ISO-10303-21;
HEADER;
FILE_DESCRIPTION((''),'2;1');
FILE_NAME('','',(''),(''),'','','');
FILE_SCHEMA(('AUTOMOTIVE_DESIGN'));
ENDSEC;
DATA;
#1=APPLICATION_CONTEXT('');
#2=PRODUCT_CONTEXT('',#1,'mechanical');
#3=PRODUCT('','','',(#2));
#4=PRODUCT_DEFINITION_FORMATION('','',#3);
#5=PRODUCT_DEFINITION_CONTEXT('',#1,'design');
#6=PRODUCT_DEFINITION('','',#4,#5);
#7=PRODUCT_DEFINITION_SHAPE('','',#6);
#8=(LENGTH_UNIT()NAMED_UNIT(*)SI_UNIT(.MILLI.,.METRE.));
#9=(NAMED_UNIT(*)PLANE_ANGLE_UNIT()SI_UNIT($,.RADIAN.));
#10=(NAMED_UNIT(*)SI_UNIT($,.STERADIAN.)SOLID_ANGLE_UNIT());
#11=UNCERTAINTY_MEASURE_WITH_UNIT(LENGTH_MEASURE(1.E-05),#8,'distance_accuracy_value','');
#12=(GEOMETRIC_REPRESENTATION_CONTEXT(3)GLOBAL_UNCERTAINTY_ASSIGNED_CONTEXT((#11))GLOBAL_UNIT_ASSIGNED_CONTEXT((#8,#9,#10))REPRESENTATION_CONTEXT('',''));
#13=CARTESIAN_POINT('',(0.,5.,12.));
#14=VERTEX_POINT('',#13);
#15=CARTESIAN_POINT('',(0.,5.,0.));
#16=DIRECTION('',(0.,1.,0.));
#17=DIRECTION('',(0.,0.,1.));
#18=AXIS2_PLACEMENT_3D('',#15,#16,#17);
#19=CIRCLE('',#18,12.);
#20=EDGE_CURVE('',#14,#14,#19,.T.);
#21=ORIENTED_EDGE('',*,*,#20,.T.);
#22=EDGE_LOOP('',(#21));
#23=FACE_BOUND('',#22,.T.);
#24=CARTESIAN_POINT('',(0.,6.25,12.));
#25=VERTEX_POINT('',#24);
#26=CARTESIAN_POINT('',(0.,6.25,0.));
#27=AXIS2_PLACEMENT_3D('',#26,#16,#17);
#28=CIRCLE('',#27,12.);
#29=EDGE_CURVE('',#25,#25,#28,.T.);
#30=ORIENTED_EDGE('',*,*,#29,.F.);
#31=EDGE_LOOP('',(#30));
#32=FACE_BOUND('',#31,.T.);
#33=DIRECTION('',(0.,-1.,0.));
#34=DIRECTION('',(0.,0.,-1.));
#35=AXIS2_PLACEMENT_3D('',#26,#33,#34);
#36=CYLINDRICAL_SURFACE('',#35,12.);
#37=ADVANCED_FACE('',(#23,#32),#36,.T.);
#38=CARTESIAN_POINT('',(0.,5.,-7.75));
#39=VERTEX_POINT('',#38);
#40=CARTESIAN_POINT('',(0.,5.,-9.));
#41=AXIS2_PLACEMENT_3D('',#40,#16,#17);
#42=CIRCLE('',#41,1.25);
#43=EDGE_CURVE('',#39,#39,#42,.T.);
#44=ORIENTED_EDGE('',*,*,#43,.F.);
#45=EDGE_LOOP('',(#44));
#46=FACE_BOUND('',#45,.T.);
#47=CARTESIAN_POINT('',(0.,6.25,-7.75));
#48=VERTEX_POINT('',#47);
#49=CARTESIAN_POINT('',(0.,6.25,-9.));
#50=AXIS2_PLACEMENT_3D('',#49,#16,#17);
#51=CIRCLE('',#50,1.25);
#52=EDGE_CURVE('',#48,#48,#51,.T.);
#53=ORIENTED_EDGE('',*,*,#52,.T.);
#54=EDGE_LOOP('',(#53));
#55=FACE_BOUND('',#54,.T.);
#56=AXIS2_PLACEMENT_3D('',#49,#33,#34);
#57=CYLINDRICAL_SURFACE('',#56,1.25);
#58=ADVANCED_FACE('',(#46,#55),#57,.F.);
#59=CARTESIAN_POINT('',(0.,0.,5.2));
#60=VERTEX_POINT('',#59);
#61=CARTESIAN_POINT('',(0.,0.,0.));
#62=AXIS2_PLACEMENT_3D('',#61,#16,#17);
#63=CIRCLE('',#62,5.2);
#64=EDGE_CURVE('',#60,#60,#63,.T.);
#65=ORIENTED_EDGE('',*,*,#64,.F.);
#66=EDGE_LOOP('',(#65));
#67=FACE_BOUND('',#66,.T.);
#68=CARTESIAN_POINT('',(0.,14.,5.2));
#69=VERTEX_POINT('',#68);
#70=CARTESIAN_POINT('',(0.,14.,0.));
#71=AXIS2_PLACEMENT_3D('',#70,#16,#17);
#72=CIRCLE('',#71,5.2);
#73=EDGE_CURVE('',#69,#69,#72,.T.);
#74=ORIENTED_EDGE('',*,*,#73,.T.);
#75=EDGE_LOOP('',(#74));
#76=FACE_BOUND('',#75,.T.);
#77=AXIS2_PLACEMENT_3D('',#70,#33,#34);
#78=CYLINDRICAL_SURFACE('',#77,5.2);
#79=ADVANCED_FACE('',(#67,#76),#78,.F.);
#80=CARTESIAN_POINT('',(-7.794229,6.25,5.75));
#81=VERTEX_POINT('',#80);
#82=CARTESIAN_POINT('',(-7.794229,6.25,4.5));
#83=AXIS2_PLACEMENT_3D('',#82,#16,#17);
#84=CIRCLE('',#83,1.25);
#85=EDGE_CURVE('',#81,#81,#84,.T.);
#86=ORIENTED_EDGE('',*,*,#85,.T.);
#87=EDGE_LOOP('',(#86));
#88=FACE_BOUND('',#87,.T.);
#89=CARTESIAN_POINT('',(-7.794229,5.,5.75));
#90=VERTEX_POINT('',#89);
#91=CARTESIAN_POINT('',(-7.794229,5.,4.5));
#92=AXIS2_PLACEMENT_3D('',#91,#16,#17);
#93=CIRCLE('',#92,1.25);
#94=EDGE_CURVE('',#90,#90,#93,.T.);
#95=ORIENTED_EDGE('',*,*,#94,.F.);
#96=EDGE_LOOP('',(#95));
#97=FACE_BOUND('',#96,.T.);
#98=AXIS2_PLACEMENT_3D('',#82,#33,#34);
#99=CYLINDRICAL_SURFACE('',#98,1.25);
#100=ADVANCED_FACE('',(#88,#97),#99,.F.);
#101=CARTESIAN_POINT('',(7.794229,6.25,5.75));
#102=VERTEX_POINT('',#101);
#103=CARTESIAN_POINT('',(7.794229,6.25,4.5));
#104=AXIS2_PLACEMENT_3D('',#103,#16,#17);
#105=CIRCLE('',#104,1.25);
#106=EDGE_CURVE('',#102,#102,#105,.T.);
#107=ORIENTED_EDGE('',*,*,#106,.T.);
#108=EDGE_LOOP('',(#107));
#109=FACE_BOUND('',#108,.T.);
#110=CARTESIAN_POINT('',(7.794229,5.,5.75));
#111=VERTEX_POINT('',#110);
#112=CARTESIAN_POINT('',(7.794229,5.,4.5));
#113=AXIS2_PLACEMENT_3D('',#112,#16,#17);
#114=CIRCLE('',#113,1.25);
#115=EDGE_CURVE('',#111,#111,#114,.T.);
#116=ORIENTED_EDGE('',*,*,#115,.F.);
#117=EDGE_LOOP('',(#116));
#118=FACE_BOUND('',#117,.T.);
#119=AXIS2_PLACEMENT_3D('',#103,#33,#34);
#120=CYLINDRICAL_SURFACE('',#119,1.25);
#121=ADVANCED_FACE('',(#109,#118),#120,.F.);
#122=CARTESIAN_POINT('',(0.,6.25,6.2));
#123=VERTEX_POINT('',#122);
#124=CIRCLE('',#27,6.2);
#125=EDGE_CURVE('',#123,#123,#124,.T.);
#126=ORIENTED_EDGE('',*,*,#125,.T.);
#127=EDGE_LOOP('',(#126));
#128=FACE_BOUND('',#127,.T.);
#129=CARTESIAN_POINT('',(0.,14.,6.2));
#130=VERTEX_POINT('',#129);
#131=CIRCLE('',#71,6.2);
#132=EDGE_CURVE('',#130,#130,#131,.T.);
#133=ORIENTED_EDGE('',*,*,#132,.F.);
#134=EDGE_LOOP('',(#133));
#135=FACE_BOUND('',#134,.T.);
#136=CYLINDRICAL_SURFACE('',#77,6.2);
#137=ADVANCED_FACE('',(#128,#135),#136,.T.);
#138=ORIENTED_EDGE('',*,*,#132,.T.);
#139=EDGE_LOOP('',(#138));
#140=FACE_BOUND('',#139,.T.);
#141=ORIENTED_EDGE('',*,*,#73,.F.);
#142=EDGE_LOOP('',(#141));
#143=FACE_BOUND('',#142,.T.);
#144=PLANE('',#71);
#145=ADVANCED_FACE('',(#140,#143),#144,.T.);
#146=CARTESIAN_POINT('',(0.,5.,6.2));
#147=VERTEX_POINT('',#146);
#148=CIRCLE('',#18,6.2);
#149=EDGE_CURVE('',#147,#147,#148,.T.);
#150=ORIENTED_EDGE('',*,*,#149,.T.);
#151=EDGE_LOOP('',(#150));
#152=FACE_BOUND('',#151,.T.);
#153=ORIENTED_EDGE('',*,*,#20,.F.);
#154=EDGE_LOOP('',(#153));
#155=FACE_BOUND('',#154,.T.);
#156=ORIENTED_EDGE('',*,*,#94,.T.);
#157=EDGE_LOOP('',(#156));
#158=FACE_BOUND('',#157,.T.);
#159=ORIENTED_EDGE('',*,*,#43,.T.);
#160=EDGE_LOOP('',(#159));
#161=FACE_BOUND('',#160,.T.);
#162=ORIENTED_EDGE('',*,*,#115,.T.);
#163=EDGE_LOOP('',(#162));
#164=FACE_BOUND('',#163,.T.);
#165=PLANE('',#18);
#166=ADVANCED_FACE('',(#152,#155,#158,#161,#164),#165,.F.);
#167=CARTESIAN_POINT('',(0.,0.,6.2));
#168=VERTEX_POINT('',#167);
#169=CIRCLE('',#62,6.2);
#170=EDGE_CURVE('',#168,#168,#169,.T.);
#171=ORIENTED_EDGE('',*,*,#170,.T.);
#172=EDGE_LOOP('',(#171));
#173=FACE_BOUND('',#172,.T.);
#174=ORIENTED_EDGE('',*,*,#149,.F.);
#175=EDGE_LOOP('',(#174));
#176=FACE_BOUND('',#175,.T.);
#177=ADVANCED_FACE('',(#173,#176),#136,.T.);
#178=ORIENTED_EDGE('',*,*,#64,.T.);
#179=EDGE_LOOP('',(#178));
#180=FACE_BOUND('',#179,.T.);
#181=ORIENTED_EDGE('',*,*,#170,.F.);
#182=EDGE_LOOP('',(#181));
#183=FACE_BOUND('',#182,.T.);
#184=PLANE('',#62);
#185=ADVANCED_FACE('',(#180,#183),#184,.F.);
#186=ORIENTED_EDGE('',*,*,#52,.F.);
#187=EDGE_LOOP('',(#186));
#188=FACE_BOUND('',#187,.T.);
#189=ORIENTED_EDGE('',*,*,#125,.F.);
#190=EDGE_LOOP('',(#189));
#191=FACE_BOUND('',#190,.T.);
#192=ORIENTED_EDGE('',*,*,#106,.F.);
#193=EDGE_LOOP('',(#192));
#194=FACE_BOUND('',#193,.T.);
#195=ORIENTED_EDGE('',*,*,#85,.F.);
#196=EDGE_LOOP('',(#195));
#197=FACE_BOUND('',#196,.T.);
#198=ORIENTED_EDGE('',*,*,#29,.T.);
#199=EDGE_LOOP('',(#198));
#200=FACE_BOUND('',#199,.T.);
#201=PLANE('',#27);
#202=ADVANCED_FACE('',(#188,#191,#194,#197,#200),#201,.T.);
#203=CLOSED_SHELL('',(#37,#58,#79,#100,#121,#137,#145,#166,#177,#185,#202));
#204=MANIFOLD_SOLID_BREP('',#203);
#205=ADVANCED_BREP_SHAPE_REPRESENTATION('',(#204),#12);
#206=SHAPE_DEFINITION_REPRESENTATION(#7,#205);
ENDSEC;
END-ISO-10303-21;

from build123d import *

# Parameters (mm, degrees)
SKETCH1_R           = 6.2
SKETCH1_R_2         = 5.2
BOSS_EXTRUDE1_DEPTH = 14
SKETCH2_R           = 12
SKETCH2_R_2         = 1.25
SKETCH2_R_3         = 5.2
BOSS_EXTRUDE2_DEPTH = 1.25


with BuildPart() as part:
    # Sketch1 → Boss-Extrude1 (new body)
    with BuildSketch(Plane(origin=(0, 0, 0), x_dir=(1, 0, 0), z_dir=(0, 1, 0))):
        Circle(SKETCH1_R)
        Circle(SKETCH1_R_2, mode=Mode.SUBTRACT)
    extrude(amount=BOSS_EXTRUDE1_DEPTH)

    # Sketch2 → Boss-Extrude2 (add)
    with BuildSketch(Plane(origin=(0, 4.999999906, 0), x_dir=(-1, 0, 0), z_dir=(0, 1, 0))):
        Circle(SKETCH2_R)
        with Locations((0, -9)):
            Circle(SKETCH2_R_2, mode=Mode.SUBTRACT)
        with Locations((-7.794228634, 4.5)):
            Circle(SKETCH2_R_2, mode=Mode.SUBTRACT)
        with Locations((7.794228634, 4.5)):
            Circle(SKETCH2_R_2, mode=Mode.SUBTRACT)
        Circle(SKETCH2_R_3, mode=Mode.SUBTRACT)
    extrude(amount=BOSS_EXTRUDE2_DEPTH)


solid = part.part
